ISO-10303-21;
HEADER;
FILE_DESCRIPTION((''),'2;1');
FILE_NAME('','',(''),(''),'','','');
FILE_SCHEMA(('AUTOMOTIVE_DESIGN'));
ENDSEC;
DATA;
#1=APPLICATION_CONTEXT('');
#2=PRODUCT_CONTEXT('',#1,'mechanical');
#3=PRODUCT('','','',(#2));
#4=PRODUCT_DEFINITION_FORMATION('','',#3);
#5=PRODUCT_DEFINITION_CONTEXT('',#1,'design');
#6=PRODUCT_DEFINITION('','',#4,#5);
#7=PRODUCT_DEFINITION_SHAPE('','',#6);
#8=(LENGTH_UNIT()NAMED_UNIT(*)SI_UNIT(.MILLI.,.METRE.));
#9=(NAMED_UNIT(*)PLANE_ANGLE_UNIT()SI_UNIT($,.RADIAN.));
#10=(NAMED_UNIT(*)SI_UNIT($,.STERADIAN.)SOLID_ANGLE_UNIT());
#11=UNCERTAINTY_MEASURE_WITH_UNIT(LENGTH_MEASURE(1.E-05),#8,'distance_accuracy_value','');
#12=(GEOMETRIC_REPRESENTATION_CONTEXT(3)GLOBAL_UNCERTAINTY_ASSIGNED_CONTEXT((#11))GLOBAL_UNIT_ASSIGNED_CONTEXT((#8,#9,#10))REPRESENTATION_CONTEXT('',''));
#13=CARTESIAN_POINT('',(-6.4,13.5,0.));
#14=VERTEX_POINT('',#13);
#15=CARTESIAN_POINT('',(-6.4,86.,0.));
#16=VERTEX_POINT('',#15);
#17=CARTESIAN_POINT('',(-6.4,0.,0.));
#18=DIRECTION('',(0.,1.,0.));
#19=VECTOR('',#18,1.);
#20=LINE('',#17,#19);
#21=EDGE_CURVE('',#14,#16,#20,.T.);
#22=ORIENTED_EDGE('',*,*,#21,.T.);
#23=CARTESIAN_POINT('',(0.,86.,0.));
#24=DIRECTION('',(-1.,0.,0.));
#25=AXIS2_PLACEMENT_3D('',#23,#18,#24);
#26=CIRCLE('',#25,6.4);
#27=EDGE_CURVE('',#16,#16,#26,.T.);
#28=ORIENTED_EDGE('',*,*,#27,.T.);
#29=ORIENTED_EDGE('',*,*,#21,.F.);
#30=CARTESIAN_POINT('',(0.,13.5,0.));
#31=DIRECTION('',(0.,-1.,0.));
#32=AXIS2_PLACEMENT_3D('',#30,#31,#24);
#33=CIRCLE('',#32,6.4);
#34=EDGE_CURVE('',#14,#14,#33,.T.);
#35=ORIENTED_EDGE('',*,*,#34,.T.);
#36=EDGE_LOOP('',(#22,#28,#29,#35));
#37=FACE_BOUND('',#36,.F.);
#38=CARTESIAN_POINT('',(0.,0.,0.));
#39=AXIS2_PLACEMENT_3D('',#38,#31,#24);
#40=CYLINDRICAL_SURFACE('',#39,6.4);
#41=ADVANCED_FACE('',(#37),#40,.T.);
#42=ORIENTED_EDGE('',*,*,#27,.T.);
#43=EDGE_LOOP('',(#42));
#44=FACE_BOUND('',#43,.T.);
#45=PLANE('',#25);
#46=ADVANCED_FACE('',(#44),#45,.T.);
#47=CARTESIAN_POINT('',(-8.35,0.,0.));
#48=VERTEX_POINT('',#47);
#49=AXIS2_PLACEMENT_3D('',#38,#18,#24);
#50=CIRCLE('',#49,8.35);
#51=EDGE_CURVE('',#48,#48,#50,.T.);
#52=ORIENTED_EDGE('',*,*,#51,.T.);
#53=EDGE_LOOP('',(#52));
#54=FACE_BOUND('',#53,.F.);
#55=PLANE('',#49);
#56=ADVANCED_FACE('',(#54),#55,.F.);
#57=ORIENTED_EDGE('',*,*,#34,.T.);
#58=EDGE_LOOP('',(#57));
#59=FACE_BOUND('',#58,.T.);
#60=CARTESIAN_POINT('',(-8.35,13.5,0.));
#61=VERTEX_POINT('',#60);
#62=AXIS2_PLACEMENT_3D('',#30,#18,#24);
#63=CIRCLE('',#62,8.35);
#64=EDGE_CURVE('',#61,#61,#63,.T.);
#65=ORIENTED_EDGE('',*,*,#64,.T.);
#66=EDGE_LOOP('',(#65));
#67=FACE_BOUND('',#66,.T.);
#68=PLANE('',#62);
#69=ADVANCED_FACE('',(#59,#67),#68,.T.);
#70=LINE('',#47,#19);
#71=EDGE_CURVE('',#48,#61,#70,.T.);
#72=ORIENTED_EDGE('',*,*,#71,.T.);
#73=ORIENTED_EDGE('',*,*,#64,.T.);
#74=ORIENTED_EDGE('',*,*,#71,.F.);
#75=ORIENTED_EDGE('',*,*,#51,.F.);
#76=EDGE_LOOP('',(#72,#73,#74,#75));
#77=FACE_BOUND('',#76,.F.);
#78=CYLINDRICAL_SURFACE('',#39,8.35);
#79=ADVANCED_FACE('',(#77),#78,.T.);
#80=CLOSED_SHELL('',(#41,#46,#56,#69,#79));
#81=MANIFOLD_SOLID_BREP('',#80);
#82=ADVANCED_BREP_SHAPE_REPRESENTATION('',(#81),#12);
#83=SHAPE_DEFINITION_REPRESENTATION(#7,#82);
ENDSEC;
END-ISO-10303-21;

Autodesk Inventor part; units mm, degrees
ref_plane "YZ Plane" through (0, 0, 0) normal (1, 0, 0) x (0, 1, 0)
ref_plane "XZ Plane" through (0, 0, 0) normal (0, 1, 0) x (-1, 0, 0)
ref_plane "XY Plane" through (0, 0, 0) normal (0, 0, 1) x (1, 0, 0)
sketch "Sketch1" plane through (0, 0, 0) normal (0, 1, 0) x (-1, 0, 0)
  circle A0 centre (0, 0) radius 6.4
  circle A1 centre (0, 0) radius 8.35
  dimension "d0" = 12.8
  dimension "d3" = 16.7
extrude "Extrusion1" add sketch "Sketch1" along normal blind 86 contours A0
extrude "Extrusion2" add sketch "Sketch1" along normal blind 13.5 contours A0 | A1
properties part number "API_test_tube"
